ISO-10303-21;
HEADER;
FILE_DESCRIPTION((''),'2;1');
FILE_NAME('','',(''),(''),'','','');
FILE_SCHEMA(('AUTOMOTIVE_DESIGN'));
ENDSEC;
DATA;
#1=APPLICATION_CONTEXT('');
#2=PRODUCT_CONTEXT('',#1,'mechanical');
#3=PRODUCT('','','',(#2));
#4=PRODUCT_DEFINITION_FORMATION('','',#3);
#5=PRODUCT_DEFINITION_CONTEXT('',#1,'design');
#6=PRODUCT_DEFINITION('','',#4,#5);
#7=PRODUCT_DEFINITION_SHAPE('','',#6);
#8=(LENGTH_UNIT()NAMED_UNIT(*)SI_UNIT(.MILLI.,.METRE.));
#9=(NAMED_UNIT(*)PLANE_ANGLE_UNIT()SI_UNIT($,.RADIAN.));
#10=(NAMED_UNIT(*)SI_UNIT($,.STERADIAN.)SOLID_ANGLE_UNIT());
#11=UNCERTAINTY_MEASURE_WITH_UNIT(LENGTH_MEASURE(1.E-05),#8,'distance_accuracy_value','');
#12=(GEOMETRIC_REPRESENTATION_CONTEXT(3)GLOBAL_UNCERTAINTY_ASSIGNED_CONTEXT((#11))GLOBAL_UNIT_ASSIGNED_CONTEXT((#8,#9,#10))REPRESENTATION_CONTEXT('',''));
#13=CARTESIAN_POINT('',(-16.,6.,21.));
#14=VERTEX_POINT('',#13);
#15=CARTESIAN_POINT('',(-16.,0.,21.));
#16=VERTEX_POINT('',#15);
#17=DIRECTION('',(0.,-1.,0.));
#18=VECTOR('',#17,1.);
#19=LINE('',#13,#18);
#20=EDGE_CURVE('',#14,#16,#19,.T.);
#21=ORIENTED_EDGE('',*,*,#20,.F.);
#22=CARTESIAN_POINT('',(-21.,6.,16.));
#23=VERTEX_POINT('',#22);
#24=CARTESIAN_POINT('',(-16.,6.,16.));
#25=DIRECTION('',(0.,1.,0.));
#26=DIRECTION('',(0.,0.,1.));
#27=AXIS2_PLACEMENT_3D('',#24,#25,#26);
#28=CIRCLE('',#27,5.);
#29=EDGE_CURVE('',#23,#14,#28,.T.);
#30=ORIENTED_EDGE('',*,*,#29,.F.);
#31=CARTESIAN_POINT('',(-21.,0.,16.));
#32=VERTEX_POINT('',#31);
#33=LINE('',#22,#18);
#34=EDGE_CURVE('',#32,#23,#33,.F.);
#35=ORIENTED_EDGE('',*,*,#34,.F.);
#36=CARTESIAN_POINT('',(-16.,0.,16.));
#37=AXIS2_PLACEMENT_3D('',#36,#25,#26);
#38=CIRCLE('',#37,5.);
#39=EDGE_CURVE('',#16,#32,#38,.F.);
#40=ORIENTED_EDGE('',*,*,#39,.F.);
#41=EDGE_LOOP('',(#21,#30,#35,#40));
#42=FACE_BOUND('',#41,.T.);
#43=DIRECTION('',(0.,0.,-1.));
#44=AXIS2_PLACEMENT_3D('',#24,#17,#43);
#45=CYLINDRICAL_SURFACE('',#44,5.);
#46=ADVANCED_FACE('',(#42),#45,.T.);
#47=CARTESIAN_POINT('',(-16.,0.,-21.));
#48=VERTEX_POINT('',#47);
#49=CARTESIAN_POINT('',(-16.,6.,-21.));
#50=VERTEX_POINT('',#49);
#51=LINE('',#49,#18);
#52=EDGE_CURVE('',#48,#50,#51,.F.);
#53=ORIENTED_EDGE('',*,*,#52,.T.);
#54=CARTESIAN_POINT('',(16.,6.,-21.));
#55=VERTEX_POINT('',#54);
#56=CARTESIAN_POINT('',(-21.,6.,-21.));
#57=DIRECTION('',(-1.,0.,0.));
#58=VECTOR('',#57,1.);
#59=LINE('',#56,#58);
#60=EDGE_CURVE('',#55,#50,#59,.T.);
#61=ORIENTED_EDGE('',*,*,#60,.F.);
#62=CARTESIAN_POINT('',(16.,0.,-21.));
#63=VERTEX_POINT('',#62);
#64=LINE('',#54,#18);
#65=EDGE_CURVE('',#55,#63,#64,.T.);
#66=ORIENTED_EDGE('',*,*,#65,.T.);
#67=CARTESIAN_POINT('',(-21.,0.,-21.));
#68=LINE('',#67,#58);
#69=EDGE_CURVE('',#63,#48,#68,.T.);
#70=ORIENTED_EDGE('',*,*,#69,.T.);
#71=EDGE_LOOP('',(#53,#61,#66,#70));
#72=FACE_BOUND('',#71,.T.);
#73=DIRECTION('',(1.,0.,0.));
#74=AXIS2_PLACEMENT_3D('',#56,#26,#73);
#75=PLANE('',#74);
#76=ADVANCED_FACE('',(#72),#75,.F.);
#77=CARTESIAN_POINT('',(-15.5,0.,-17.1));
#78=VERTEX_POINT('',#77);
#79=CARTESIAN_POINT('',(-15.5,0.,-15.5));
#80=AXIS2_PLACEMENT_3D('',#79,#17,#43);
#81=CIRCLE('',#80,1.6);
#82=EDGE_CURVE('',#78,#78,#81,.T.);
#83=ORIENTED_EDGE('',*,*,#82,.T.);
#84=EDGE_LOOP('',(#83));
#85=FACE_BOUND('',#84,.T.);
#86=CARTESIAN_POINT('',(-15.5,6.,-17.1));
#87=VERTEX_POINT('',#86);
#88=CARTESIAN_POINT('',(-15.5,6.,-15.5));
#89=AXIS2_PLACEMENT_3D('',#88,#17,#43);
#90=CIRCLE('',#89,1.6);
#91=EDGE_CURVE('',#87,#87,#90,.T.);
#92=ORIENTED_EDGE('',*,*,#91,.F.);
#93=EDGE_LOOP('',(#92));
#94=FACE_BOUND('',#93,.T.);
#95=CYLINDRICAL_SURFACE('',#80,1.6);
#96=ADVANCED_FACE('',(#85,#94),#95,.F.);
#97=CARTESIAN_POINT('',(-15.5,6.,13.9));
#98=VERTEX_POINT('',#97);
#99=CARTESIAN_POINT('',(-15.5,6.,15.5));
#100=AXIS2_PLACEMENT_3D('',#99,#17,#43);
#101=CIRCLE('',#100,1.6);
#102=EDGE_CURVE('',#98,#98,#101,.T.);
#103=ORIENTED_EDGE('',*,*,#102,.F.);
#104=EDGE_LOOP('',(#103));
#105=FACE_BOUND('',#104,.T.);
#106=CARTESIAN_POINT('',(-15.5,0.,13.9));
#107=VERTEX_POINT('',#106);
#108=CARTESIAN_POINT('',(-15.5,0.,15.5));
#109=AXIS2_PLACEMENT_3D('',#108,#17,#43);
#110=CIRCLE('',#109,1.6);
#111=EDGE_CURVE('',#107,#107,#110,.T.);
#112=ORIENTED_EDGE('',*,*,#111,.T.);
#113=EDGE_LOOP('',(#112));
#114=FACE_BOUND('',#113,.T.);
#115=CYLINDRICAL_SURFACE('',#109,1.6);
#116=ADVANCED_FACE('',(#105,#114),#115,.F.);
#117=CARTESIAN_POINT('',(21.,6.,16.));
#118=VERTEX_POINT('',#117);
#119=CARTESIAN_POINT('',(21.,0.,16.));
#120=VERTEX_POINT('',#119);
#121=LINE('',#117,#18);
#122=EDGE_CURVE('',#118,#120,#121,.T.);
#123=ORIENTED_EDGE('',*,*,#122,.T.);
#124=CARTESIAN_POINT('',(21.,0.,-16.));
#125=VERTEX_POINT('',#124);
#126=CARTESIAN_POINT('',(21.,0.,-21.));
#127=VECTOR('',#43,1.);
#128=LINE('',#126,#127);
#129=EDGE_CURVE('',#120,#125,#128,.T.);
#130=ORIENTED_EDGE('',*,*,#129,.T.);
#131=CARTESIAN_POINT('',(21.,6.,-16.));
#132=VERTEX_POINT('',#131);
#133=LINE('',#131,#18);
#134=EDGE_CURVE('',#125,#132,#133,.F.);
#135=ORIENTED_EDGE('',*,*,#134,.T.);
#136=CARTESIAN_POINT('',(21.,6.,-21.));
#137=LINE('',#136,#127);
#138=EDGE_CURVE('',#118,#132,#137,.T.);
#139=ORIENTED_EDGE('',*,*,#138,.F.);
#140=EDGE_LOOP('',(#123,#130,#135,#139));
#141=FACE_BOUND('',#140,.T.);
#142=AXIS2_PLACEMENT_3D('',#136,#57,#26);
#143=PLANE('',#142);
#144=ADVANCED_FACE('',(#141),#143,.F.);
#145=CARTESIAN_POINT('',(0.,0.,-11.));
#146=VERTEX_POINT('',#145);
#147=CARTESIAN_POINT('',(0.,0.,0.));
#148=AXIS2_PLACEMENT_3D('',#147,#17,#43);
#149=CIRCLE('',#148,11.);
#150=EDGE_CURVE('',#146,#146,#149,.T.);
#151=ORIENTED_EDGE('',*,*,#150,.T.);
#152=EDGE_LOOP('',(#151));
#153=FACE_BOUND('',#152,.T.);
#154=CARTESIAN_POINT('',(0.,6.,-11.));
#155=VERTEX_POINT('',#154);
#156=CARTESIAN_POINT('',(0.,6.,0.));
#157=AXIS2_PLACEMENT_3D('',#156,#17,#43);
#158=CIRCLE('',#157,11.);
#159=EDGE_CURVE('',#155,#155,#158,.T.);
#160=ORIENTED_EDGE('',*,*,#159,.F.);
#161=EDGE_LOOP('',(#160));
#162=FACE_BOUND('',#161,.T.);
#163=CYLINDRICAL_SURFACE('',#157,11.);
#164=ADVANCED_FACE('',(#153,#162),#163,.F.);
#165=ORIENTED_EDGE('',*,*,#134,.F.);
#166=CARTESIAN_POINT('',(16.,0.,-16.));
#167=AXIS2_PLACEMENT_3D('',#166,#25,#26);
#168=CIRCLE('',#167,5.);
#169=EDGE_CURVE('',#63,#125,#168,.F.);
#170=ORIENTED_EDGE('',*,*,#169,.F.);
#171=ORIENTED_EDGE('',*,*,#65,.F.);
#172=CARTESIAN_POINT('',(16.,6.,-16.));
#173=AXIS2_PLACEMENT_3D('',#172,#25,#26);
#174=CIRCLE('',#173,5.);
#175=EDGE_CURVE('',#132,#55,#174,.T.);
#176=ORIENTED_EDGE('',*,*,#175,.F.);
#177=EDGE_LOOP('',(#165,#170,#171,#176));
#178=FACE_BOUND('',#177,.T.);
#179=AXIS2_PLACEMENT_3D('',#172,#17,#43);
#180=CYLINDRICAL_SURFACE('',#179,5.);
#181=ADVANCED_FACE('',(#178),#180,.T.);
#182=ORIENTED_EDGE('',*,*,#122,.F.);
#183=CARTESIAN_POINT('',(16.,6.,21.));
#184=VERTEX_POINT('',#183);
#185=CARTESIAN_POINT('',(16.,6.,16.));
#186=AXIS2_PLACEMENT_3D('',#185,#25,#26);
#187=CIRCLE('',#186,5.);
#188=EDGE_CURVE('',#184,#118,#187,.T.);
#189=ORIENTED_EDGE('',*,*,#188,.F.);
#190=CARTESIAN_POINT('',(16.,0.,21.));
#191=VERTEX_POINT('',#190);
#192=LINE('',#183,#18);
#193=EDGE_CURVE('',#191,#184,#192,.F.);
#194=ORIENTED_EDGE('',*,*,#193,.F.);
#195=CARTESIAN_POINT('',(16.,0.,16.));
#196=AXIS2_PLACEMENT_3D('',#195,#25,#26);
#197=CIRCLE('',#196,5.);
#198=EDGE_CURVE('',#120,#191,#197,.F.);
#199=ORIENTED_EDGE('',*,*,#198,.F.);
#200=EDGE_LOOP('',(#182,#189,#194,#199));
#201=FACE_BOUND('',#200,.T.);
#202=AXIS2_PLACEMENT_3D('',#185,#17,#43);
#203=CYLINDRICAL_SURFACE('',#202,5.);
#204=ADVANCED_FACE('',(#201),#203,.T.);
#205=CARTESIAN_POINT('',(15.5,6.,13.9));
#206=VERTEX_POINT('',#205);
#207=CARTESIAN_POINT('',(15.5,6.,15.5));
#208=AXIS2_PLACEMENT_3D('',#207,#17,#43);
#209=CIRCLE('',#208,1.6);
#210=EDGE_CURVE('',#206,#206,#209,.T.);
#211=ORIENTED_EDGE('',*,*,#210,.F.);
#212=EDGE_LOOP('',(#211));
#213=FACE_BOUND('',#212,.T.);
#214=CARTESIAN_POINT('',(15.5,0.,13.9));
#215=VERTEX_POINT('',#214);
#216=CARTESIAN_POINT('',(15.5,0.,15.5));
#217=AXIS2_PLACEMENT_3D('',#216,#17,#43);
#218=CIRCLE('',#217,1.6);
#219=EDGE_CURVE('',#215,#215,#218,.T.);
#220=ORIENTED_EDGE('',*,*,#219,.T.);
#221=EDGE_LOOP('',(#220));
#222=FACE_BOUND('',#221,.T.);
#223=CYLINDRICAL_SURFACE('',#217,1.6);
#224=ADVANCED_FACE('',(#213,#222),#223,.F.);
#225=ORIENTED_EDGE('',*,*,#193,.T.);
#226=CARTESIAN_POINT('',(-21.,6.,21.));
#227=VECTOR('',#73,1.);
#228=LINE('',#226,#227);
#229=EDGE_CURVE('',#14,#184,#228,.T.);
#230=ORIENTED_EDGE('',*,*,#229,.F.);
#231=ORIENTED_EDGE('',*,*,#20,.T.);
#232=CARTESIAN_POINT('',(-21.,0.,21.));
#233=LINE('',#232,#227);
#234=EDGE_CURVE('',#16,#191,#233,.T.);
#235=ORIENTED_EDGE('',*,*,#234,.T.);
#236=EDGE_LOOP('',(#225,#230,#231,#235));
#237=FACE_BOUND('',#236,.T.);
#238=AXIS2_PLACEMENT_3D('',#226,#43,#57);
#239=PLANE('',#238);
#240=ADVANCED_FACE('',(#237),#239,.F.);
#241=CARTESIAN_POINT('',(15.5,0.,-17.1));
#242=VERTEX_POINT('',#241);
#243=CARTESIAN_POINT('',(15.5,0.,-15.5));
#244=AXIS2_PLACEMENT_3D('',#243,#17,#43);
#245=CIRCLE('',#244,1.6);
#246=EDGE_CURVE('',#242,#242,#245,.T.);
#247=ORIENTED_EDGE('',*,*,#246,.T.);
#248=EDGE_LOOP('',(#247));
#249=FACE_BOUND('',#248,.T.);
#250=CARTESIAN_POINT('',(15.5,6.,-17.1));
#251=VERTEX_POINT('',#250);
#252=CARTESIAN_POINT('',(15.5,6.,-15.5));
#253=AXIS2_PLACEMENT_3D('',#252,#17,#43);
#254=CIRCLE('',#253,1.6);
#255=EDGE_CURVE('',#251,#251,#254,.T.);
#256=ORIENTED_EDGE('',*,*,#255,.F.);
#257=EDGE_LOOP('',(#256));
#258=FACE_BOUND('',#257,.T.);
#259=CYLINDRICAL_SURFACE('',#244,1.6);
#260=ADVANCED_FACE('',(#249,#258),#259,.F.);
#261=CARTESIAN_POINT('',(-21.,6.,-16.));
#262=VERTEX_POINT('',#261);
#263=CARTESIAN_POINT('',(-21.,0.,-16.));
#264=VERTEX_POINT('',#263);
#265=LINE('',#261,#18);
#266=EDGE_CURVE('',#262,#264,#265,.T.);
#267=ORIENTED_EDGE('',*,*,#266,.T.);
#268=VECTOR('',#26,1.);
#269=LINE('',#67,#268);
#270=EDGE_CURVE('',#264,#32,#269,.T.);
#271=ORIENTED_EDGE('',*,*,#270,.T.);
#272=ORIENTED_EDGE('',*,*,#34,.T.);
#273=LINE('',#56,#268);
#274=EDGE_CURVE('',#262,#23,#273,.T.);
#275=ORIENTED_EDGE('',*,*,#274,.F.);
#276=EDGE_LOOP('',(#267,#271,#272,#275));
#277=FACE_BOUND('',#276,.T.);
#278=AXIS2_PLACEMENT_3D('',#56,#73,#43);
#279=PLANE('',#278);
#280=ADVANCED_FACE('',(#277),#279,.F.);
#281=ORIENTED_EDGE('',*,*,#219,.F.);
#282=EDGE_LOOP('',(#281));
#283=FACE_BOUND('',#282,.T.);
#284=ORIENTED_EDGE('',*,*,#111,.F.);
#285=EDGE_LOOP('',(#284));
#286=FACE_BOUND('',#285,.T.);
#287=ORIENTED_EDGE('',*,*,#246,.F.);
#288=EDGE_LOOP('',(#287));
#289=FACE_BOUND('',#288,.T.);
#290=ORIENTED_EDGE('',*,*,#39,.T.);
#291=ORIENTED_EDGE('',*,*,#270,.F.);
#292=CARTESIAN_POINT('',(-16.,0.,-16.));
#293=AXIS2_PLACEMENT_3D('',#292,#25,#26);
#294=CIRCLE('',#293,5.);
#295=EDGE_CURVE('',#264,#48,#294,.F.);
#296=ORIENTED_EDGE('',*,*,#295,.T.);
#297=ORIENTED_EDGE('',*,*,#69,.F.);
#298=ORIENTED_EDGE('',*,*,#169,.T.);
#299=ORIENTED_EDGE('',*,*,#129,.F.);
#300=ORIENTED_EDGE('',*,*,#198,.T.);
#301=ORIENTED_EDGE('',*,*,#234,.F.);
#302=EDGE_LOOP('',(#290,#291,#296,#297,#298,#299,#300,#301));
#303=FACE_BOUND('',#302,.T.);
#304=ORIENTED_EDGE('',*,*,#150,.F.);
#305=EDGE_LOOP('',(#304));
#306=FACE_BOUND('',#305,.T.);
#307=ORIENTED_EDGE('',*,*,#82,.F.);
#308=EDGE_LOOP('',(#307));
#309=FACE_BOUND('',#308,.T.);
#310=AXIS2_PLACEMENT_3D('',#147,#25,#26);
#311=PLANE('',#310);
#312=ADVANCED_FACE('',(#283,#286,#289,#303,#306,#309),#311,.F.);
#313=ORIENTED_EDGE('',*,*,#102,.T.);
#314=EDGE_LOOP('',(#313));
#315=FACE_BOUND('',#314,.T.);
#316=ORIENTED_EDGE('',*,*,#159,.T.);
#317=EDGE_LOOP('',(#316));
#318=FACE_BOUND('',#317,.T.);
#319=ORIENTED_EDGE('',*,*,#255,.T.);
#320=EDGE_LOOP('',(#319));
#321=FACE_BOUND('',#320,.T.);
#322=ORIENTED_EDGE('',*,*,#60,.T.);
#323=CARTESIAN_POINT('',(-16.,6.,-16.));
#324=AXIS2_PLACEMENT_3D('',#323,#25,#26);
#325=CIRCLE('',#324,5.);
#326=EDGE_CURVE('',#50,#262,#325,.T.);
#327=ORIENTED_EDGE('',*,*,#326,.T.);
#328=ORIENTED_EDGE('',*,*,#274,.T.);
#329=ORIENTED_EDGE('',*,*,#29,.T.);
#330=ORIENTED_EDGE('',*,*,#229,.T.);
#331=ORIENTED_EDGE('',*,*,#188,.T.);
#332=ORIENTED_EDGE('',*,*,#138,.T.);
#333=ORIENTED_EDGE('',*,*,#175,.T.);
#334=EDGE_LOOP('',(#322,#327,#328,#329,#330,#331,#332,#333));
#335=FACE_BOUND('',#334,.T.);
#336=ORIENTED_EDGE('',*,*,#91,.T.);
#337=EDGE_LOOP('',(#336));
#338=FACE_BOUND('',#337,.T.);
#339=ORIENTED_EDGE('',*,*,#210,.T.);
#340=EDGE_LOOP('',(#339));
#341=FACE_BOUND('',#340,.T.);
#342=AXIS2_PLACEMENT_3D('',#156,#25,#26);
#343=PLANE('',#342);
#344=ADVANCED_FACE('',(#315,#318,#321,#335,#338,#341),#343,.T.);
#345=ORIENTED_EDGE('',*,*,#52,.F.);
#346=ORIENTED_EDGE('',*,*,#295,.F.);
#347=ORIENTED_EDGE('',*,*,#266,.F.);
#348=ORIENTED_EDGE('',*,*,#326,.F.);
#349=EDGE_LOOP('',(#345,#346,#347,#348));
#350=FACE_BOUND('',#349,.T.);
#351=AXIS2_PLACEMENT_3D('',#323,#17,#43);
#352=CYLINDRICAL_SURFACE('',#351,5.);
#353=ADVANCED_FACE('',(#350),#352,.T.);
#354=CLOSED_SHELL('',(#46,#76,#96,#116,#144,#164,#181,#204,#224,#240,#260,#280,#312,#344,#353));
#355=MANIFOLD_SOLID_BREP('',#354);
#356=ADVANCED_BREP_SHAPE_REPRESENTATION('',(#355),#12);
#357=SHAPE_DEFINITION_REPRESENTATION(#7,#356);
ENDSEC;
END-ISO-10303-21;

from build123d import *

# Parameters (mm, degrees)
SKETCH1_W            = 42
SKETCH1_H            = 42
BOSS_EXTRUDE1_DEPTH  = 6
M3_CLEARANCE_HOLE1_D = 3.2
SKETCH6_R            = 11
CUT_EXTRUDE3_DEPTH   = 7
FILLET1_R            = 5


with BuildPart() as part:
    # Sketch1 → Boss-Extrude1 (new body)
    with BuildSketch(Plane(origin=(0, 0, 0), x_dir=(1, 0, 0), z_dir=(0, 1, 0))):
        Rectangle(SKETCH1_W, SKETCH1_H)
    extrude(amount=BOSS_EXTRUDE1_DEPTH)

    # M3 Clearance Hole1 (through all)
    with Locations(Plane(origin=(0, 0, 0), x_dir=(0, 0, -1), z_dir=(0, -1, 0))):
        with Locations((15.5, -15.5), (-15.5, -15.5), (-15.5, 15.5), (15.5, 15.5)):
            Hole(M3_CLEARANCE_HOLE1_D / 2)

    # Sketch6 → Cut-Extrude3 (cut, through all)
    with BuildSketch(Plane(origin=(0, 0, 0), x_dir=(0, 0, 1), z_dir=(0, -1, 0))):
        Circle(SKETCH6_R)
    extrude(amount=-CUT_EXTRUDE3_DEPTH, mode=Mode.SUBTRACT)

    # Fillet1
    fillet1_edges = [part.edges().sort_by_distance(p)[0] for p in [
        (21, 3, 21),
        (-21, 3, 21),
        (-21, 3, -21),
        (21, 3, -21),
    ]]
    fillet(fillet1_edges, radius=FILLET1_R)


solid = part.part
